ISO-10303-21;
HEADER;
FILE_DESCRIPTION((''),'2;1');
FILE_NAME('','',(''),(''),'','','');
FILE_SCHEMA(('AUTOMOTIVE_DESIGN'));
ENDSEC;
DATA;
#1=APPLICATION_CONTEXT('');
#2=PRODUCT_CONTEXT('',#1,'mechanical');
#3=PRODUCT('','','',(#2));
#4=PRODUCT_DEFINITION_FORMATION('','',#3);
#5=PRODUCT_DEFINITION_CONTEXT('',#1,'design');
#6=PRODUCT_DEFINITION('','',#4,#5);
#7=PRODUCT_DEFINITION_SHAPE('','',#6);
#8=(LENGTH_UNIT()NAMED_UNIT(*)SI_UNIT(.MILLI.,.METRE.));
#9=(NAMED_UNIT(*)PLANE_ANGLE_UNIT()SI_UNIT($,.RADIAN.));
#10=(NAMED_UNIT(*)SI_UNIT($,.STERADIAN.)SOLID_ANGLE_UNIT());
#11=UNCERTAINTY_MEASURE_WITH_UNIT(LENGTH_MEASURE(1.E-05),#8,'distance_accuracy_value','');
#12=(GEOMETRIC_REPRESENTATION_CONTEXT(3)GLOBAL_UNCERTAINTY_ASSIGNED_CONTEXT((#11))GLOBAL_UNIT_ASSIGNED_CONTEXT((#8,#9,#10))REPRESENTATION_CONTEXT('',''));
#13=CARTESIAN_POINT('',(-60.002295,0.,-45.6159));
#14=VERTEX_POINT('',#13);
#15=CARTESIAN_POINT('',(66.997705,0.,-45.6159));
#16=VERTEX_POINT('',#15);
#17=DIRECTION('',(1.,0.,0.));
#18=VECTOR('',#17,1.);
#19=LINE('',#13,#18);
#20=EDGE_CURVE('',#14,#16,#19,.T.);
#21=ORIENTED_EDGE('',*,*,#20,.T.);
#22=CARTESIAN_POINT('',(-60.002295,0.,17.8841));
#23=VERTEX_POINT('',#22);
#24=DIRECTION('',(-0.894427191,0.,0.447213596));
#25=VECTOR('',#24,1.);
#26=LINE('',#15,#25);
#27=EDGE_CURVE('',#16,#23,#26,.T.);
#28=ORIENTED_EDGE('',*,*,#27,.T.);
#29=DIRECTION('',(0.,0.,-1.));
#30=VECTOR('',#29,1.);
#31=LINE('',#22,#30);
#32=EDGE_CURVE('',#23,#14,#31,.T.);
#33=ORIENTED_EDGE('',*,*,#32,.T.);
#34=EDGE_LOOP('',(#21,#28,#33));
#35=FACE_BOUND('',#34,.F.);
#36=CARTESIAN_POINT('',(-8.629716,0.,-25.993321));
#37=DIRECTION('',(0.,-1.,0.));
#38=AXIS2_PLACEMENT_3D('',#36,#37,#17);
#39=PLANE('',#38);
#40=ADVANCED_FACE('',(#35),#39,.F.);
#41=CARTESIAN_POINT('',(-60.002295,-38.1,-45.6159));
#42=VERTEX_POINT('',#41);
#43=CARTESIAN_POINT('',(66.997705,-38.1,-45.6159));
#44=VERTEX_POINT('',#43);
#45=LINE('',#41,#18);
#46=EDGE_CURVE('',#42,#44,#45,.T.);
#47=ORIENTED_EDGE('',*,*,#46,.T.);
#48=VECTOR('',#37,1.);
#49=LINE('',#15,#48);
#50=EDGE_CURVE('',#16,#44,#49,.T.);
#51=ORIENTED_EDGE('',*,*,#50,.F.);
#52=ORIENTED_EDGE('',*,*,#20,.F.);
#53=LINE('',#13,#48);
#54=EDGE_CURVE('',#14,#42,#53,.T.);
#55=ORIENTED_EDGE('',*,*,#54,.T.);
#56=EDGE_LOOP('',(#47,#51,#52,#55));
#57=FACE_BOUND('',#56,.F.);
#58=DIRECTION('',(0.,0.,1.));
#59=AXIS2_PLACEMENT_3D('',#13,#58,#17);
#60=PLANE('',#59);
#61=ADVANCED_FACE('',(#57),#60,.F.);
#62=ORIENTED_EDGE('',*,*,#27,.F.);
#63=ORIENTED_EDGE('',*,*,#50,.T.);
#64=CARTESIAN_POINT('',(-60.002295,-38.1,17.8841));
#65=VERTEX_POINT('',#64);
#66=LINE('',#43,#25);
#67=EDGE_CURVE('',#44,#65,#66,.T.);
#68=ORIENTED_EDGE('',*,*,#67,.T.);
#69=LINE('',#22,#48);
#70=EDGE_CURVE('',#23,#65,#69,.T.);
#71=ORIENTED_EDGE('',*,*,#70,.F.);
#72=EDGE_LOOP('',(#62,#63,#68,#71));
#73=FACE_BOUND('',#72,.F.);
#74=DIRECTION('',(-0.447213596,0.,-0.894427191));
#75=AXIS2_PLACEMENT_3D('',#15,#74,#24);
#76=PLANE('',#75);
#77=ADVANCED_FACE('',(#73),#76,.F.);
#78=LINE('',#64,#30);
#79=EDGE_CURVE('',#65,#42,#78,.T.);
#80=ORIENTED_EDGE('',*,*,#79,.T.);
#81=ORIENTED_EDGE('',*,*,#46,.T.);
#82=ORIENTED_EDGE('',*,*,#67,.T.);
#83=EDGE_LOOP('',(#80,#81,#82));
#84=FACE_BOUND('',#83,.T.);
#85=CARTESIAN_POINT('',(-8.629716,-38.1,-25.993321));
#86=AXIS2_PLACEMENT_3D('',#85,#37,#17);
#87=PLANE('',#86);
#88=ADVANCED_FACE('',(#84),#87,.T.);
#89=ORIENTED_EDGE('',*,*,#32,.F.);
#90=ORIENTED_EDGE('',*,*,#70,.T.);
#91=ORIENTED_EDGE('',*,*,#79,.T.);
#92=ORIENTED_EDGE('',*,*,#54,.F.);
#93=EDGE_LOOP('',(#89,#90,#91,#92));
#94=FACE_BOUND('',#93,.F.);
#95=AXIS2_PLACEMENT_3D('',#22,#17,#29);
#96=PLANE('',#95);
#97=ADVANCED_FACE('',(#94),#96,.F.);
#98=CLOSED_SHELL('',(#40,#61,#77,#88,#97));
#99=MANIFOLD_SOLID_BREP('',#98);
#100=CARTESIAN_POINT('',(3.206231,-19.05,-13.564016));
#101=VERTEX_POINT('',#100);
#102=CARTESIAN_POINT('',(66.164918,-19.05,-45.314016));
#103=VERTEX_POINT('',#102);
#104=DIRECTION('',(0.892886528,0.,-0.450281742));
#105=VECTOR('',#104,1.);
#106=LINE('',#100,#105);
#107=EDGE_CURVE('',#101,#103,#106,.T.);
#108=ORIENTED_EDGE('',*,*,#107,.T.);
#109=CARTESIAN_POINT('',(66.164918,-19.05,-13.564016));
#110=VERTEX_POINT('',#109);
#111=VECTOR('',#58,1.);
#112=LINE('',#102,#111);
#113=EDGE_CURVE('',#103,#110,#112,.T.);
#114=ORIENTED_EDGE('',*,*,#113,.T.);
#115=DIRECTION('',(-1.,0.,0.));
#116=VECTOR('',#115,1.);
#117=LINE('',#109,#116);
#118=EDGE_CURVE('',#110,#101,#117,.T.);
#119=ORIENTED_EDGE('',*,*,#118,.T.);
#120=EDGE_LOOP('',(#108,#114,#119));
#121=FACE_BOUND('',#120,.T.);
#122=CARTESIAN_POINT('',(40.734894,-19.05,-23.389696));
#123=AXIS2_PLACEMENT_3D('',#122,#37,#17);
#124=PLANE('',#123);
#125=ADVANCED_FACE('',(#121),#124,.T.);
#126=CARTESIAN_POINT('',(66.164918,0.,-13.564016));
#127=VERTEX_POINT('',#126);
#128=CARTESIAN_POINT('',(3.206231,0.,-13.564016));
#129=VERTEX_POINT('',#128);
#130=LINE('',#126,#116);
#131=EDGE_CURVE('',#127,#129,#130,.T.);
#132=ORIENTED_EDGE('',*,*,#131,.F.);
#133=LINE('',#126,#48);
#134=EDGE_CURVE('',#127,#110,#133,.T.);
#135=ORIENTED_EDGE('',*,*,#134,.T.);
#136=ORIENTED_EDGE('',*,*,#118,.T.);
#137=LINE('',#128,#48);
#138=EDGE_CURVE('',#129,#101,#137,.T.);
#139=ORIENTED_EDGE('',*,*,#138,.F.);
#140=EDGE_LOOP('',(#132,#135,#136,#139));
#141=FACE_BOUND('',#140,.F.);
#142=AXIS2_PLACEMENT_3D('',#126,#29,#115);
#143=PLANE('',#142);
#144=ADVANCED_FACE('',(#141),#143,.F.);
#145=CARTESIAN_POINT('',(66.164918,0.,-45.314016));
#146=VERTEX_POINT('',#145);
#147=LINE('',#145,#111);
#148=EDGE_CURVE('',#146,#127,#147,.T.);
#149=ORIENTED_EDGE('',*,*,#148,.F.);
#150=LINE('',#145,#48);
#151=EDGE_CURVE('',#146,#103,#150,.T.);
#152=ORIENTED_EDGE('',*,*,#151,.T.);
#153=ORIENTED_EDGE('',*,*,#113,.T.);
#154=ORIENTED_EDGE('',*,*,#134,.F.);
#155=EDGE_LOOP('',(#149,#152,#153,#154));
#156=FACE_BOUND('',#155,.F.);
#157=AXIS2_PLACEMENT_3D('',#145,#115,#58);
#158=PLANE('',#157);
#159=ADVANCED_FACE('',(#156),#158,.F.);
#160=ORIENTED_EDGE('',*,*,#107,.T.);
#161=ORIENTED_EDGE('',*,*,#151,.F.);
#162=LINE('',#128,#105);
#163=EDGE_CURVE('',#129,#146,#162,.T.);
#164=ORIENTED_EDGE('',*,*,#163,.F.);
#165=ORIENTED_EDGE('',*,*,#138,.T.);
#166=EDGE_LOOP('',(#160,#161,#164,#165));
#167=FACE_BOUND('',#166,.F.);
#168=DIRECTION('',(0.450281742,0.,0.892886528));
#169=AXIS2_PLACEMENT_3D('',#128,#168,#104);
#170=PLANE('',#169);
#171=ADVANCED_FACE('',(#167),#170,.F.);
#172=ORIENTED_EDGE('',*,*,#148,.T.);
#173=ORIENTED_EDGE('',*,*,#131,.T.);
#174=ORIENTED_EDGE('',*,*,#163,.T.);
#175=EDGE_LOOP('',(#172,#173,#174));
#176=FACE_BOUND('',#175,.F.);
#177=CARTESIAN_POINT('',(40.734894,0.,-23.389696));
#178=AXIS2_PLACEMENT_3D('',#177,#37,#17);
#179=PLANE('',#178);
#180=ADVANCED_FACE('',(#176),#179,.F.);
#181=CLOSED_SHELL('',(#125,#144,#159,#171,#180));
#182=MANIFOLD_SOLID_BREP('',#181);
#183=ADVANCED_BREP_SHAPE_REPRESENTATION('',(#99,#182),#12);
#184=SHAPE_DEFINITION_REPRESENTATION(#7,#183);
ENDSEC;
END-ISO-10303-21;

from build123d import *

# Parameters (mm, degrees)
F1_DEPTH = 38.1
F3_DEPTH = 19.05


with BuildPart() as f1:
    # F0 (on Front) → F1 (new body)
    with BuildSketch(Plane.XZ):
        Polygon((-60.002295, 17.8841), (-60.002295, -45.6159), (66.997705, -45.6159), align=None)
    extrude(amount=F1_DEPTH)


with BuildPart() as f3:
    # F2 (on Front) → F3 (new body)
    with BuildSketch(Plane.XZ):
        Polygon((3.206231, -13.564016), (66.164918, -45.314016), (66.164918, -13.564016), align=None)
    extrude(amount=F3_DEPTH)


solid = Compound([f1.part, f3.part])
